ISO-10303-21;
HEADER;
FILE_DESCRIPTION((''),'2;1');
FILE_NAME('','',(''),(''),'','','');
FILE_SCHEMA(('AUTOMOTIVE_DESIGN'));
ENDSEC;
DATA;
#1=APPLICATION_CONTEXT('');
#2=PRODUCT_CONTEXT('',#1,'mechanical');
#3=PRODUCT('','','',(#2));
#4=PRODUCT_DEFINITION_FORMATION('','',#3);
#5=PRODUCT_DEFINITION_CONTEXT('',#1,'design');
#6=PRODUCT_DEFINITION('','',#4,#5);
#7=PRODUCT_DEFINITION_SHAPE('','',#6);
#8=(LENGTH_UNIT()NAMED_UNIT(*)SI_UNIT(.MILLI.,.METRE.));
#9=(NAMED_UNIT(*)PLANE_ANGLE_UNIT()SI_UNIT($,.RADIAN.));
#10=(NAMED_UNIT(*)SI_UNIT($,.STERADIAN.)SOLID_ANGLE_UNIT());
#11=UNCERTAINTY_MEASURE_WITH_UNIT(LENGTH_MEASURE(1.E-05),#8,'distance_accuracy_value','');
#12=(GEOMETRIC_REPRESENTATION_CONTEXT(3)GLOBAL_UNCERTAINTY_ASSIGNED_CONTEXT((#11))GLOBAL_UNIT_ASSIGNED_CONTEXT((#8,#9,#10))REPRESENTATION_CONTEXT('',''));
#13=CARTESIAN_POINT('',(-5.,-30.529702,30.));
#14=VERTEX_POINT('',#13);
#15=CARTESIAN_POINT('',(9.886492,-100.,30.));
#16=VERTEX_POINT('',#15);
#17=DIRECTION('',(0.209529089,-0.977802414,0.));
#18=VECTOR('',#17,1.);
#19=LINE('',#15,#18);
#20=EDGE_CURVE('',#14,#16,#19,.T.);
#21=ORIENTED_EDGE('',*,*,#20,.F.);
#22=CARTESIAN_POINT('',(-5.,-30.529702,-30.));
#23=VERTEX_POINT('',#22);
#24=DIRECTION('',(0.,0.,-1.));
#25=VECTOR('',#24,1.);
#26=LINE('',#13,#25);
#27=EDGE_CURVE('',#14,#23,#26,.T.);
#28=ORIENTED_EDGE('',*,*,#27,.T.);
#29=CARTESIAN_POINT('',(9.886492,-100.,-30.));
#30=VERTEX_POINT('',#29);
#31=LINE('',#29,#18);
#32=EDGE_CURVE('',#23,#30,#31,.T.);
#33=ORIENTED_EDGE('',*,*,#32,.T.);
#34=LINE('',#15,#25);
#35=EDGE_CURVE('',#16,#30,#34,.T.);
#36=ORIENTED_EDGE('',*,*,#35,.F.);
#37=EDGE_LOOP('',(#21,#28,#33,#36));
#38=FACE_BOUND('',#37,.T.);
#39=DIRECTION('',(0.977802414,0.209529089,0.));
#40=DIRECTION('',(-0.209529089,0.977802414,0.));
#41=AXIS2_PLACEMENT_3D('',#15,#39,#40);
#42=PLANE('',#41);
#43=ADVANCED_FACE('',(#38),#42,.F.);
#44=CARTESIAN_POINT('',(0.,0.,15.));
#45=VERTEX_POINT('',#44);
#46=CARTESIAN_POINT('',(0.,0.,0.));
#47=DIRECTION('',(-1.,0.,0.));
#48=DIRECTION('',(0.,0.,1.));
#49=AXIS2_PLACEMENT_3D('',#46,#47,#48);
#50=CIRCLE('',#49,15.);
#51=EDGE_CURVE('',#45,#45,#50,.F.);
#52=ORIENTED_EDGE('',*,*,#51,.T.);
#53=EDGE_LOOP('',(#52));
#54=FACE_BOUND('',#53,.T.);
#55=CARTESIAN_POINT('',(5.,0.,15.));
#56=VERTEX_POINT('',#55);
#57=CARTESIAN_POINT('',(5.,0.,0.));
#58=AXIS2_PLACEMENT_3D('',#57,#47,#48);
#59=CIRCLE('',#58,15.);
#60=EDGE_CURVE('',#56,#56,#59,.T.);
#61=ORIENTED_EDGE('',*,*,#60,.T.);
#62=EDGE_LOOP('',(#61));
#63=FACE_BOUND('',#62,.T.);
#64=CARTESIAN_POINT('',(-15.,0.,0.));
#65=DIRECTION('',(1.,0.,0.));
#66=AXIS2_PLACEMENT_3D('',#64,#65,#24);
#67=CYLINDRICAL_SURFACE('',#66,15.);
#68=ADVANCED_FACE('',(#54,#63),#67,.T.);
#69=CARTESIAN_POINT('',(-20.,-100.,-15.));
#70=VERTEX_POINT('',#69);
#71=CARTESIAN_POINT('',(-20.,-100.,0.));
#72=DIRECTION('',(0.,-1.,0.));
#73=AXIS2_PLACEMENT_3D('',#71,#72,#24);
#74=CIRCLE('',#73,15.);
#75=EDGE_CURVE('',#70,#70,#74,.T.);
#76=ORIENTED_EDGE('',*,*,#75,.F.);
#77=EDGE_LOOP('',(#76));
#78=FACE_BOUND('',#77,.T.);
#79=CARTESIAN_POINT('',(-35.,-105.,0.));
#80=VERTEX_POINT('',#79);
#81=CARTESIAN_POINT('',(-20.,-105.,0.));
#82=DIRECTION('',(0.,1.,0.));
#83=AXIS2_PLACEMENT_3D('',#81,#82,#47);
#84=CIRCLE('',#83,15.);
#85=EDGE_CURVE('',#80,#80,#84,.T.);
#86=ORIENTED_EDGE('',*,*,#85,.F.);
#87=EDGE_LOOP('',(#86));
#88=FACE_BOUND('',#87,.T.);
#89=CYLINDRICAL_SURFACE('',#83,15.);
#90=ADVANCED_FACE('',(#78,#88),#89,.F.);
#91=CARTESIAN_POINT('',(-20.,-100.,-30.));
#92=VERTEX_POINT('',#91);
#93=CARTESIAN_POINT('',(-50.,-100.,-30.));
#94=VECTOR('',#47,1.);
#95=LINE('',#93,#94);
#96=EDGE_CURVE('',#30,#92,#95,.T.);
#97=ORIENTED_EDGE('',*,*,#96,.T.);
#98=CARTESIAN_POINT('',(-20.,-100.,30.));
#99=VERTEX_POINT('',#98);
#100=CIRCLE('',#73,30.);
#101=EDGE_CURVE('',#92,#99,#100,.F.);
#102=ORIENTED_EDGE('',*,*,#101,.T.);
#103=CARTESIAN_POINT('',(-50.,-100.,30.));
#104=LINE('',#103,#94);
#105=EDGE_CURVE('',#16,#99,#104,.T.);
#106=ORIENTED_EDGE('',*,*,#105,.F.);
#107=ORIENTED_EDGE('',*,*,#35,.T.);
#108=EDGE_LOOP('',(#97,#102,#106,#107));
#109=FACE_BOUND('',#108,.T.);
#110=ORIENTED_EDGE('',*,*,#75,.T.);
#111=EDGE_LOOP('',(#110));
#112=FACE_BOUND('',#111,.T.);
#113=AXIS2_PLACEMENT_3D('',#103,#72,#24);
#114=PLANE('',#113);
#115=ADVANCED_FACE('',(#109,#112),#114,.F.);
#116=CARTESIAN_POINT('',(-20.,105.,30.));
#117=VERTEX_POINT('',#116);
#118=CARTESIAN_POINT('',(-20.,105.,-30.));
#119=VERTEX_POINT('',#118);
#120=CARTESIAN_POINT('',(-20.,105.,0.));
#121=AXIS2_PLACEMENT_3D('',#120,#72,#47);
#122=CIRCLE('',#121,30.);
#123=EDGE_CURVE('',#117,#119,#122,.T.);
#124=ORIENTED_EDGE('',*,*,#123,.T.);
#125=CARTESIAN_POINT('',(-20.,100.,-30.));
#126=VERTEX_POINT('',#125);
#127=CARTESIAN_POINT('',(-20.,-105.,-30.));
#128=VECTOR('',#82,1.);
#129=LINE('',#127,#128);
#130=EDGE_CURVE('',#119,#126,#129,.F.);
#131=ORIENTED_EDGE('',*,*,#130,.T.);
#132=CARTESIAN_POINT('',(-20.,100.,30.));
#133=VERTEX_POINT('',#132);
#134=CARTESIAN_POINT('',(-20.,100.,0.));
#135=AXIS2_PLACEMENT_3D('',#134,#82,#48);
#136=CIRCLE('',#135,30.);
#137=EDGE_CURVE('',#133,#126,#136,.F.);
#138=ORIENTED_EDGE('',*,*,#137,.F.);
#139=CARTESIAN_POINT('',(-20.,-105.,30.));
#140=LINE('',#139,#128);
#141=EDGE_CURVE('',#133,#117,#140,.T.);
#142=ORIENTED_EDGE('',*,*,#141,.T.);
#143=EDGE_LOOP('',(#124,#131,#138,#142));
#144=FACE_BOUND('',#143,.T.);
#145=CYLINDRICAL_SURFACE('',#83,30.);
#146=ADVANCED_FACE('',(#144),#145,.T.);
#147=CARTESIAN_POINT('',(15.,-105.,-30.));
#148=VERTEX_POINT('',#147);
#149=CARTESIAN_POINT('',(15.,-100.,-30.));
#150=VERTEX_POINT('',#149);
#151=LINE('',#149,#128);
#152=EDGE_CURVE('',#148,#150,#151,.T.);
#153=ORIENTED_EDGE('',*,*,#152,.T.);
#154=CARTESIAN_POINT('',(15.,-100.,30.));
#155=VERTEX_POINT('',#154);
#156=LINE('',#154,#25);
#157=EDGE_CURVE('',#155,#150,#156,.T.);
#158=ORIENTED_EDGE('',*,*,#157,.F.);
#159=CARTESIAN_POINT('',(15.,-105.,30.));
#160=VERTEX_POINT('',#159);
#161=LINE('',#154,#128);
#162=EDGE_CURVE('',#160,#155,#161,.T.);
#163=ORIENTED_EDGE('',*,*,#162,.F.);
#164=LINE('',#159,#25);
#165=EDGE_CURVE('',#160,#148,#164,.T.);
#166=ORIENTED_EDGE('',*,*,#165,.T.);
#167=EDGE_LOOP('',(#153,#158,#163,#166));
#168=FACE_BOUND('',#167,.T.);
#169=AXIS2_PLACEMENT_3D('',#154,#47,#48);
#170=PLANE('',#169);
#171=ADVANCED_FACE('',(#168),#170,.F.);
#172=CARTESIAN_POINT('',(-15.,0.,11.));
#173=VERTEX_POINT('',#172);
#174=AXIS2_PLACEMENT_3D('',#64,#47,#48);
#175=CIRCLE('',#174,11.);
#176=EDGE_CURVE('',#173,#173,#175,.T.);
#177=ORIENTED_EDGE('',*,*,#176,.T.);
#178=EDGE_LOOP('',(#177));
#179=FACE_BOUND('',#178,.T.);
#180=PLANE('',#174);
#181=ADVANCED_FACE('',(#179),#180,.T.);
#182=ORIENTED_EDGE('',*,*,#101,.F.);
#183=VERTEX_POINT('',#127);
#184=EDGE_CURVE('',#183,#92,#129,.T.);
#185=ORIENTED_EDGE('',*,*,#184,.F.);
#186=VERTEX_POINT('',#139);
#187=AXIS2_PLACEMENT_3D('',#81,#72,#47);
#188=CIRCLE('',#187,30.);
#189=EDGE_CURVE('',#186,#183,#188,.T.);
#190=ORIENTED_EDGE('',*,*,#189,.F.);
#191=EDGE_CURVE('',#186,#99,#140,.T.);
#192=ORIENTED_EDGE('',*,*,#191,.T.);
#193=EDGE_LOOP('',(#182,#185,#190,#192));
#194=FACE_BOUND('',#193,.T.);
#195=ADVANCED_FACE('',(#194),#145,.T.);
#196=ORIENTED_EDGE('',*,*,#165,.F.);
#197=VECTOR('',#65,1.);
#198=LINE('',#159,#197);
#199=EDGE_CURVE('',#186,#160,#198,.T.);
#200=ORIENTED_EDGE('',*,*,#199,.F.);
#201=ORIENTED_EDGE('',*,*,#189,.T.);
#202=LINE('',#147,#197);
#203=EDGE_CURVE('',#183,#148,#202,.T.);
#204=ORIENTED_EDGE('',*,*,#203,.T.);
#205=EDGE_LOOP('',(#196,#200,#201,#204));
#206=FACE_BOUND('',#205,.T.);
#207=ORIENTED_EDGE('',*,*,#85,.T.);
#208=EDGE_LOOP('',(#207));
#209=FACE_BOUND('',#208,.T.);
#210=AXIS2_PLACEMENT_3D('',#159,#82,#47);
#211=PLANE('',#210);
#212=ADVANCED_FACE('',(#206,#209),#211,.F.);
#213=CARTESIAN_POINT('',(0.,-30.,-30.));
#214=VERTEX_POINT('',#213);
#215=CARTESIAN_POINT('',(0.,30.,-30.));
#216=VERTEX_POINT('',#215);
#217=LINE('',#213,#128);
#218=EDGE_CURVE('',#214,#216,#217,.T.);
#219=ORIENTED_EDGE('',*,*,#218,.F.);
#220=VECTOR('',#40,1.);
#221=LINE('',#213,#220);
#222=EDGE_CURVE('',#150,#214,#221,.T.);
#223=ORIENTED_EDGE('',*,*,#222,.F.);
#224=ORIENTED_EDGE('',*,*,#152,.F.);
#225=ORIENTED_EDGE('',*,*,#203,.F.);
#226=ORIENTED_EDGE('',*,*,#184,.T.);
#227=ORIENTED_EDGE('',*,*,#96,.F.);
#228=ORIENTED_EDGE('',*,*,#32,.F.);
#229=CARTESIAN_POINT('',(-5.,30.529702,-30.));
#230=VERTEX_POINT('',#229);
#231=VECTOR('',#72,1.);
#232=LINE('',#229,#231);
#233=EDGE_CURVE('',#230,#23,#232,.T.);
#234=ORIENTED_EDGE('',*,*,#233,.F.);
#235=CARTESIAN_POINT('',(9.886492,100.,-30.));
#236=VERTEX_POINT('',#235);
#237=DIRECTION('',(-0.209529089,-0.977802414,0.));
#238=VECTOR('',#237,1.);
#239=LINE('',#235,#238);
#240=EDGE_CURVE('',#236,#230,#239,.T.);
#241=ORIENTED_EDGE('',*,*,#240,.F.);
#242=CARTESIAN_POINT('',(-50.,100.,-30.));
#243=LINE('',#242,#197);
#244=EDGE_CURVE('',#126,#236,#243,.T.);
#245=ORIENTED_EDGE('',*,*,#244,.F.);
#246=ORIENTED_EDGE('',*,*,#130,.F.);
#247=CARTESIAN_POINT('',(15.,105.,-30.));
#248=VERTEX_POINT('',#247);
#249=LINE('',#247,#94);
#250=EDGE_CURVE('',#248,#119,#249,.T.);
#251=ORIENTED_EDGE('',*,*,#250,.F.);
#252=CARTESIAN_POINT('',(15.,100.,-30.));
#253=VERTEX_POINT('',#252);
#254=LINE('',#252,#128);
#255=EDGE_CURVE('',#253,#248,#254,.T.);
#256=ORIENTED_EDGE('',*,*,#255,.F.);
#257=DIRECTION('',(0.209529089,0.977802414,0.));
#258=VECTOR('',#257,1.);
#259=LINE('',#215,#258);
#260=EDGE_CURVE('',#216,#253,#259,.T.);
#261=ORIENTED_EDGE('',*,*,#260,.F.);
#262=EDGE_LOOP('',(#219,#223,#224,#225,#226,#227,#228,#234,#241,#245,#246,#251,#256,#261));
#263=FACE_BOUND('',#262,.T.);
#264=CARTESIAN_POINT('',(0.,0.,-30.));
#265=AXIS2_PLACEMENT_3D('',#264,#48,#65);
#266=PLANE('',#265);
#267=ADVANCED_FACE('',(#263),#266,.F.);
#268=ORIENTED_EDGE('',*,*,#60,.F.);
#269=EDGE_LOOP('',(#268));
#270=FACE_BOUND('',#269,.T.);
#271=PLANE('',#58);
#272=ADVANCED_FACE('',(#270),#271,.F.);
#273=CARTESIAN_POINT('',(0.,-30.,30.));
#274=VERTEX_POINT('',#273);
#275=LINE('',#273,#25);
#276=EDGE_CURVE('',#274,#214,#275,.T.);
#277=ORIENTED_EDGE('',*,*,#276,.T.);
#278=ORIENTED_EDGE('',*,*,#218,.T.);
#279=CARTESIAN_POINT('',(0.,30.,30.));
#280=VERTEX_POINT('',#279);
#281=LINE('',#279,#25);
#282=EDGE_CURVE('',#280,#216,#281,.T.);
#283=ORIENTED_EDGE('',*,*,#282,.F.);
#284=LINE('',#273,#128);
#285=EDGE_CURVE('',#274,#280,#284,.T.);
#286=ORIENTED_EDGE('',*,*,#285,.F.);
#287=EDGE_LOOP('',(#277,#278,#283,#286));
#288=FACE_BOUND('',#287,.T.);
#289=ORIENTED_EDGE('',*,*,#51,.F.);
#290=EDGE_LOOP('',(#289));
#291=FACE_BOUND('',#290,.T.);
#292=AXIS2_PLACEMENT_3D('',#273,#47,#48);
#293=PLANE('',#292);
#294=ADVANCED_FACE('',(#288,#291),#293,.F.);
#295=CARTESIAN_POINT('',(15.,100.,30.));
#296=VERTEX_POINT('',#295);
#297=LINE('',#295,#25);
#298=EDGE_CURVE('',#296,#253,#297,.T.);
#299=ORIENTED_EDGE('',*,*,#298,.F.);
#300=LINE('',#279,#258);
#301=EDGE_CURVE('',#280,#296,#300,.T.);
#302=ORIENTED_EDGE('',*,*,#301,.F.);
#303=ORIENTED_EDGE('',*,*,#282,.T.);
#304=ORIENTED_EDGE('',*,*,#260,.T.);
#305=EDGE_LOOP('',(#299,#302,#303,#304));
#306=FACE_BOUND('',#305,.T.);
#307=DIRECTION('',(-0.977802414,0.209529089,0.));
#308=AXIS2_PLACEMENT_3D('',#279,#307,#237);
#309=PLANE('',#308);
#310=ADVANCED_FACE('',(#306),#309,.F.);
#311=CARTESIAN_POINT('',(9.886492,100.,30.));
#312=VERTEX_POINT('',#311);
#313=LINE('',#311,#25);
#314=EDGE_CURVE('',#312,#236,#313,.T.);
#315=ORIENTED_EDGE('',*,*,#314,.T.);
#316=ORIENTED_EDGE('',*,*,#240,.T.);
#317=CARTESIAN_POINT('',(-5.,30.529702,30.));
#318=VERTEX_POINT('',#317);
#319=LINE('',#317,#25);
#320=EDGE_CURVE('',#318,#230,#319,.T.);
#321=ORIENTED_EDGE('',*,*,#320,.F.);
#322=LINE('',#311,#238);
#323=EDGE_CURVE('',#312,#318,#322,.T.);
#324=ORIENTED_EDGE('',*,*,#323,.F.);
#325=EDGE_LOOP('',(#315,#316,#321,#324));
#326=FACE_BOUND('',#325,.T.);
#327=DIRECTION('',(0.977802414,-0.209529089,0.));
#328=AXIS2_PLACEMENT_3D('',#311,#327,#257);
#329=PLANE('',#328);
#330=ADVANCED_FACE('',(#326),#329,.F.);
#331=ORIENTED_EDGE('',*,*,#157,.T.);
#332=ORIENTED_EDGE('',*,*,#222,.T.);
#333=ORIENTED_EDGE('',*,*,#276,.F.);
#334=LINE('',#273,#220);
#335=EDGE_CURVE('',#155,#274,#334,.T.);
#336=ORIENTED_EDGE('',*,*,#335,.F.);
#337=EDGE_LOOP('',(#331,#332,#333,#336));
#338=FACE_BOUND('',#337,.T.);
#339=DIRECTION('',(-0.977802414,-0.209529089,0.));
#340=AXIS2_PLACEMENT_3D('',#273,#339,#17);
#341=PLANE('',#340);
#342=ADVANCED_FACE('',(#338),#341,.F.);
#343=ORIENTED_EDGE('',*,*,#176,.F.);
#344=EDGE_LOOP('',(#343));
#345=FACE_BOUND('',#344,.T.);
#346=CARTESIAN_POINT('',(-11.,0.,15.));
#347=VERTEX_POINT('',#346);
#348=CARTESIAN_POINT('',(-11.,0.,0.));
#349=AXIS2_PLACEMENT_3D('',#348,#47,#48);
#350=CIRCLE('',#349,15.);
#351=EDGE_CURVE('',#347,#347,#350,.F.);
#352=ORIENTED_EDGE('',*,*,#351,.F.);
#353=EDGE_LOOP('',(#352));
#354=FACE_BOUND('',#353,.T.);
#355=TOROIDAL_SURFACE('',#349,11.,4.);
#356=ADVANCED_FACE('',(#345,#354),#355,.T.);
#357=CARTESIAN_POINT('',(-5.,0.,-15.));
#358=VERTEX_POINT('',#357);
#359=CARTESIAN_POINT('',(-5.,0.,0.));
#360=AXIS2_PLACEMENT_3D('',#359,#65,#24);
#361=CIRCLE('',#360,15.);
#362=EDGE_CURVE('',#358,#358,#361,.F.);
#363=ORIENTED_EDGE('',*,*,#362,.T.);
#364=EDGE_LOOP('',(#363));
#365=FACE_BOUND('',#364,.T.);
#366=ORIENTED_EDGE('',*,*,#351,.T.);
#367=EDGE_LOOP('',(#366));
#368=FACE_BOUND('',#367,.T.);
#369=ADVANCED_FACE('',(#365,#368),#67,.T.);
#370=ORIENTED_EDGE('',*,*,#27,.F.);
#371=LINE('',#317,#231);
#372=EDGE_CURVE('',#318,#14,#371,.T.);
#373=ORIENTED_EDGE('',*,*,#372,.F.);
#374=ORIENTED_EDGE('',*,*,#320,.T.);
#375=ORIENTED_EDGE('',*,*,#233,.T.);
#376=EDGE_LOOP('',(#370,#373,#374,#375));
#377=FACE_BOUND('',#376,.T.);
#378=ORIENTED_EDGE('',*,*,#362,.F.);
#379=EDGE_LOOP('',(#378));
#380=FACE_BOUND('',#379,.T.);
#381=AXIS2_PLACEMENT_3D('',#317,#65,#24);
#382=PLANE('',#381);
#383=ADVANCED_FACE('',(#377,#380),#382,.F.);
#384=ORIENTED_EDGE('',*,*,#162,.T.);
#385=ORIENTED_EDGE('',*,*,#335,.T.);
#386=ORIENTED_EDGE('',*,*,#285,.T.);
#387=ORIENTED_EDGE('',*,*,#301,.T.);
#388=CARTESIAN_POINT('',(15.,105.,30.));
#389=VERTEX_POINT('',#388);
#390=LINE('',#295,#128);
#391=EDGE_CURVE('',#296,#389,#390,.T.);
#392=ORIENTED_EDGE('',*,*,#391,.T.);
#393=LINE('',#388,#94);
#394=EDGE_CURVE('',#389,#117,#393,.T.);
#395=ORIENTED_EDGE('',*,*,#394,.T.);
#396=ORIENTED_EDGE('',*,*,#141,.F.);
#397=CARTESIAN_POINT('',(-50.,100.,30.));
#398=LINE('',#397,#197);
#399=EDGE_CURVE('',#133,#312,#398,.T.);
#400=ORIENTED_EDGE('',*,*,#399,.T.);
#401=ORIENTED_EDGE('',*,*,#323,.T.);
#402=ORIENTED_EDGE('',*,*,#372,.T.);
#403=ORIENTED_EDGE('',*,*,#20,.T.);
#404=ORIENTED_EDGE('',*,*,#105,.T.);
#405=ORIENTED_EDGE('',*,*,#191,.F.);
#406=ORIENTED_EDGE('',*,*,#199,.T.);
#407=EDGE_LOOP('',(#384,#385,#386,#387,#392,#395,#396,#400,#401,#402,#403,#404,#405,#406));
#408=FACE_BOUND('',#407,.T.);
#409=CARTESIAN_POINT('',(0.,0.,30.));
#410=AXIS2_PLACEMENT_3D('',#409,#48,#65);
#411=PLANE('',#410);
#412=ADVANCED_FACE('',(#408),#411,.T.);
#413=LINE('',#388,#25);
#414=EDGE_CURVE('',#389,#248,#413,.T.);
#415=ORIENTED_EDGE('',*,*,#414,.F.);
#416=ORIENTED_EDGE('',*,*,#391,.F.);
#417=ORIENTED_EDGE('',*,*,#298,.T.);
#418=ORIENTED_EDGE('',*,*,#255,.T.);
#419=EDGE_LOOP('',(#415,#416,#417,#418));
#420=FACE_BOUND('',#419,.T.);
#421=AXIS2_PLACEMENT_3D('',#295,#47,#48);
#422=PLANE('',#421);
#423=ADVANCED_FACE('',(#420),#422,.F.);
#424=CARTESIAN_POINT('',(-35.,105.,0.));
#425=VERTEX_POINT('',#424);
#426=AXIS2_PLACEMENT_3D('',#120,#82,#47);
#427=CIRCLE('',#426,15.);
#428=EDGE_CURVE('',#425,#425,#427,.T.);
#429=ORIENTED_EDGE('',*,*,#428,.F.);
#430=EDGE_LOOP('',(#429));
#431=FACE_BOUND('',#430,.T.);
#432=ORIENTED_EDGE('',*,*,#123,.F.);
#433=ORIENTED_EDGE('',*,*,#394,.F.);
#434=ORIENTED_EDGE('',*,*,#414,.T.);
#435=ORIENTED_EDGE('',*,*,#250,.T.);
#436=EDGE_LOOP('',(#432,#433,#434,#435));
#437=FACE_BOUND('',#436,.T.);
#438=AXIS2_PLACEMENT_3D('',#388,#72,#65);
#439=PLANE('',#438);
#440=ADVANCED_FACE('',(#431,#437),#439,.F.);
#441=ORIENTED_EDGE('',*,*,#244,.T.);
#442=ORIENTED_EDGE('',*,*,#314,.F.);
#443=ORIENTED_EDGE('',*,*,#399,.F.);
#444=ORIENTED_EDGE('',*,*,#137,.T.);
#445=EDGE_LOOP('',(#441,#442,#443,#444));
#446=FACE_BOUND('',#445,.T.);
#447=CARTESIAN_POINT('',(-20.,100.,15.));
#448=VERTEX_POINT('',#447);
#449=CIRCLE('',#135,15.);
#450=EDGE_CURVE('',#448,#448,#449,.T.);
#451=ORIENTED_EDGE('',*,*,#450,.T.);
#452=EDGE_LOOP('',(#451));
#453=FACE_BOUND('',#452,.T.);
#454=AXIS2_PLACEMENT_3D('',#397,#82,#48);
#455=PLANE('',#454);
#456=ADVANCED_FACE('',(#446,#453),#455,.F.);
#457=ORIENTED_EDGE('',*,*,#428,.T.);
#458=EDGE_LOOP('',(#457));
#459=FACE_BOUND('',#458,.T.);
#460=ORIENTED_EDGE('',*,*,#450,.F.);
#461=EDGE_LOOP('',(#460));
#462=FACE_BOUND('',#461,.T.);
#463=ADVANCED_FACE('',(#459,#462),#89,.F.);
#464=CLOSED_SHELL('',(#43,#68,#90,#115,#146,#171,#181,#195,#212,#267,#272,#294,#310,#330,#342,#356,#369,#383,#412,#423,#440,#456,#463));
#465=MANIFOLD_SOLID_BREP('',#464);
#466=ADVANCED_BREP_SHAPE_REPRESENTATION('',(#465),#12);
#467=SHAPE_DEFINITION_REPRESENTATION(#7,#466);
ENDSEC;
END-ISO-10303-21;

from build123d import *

# Parameters (mm, degrees)
EXTRUDE_2_DEPTH     = 30
SKETCH_4_R          = 15
CUT_EXTRUDE_1_DEPTH = 210
SKETCH_5_R          = 15
EXTRUDE_3_DEPTH     = 10
FILLET_1_R          = 4


with BuildPart() as part:
    # 스케치3 → 보스-돌출2 (new, symmetric)
    with BuildSketch(Plane.XY):
        Polygon((0, -30), (0, 30), (15, 100), (15, 105), (-50, 105), (-50, 100), (9.886492477, 100), (-5, 30.529701772), (-5, -30.529701772), (9.886492477, -100), (-50, -100), (-50, -105), (15, -105), (15, -100), align=None)
    extrude(amount=EXTRUDE_2_DEPTH, both=True)

    # 스케치4 → 컷-돌출1 (cut)
    with BuildSketch(Plane(origin=(0, 105, 0), x_dir=(1, 0, 0), z_dir=(0, 1, 0))):
        with Locations(Location((-20, 0, 0), (0, 0, 180))):
            Circle(SKETCH_4_R)
        with BuildLine():
            Line((-20, 30), (-20, 33.122933613))
            Line((-20, 33.122933613), (-53.393516075, 33.122933613))
            Line((-53.393516075, 33.122933613), (-53.393516075, -32.957525704))
            Line((-53.393516075, -32.957525704), (-20, -32.957525704))
            Line((-20, -32.957525704), (-20, -30))
            ThreePointArc((-20, -30), (-50, 0), (-20, 30))
        make_face()
    extrude(amount=-CUT_EXTRUDE_1_DEPTH, mode=Mode.SUBTRACT)

    # 스케치5 → 보스-돌출3 (add, symmetric)
    with BuildSketch(Plane.ZY.offset(5)):
        Circle(SKETCH_5_R)
    extrude(amount=EXTRUDE_3_DEPTH, both=True)

    # 필렛1
    fillet_1_edges = [part.edges().sort_by_distance(p)[0] for p in [
        (-15, 0, -15),
    ]]
    fillet(fillet_1_edges, radius=FILLET_1_R)


solid = part.part
